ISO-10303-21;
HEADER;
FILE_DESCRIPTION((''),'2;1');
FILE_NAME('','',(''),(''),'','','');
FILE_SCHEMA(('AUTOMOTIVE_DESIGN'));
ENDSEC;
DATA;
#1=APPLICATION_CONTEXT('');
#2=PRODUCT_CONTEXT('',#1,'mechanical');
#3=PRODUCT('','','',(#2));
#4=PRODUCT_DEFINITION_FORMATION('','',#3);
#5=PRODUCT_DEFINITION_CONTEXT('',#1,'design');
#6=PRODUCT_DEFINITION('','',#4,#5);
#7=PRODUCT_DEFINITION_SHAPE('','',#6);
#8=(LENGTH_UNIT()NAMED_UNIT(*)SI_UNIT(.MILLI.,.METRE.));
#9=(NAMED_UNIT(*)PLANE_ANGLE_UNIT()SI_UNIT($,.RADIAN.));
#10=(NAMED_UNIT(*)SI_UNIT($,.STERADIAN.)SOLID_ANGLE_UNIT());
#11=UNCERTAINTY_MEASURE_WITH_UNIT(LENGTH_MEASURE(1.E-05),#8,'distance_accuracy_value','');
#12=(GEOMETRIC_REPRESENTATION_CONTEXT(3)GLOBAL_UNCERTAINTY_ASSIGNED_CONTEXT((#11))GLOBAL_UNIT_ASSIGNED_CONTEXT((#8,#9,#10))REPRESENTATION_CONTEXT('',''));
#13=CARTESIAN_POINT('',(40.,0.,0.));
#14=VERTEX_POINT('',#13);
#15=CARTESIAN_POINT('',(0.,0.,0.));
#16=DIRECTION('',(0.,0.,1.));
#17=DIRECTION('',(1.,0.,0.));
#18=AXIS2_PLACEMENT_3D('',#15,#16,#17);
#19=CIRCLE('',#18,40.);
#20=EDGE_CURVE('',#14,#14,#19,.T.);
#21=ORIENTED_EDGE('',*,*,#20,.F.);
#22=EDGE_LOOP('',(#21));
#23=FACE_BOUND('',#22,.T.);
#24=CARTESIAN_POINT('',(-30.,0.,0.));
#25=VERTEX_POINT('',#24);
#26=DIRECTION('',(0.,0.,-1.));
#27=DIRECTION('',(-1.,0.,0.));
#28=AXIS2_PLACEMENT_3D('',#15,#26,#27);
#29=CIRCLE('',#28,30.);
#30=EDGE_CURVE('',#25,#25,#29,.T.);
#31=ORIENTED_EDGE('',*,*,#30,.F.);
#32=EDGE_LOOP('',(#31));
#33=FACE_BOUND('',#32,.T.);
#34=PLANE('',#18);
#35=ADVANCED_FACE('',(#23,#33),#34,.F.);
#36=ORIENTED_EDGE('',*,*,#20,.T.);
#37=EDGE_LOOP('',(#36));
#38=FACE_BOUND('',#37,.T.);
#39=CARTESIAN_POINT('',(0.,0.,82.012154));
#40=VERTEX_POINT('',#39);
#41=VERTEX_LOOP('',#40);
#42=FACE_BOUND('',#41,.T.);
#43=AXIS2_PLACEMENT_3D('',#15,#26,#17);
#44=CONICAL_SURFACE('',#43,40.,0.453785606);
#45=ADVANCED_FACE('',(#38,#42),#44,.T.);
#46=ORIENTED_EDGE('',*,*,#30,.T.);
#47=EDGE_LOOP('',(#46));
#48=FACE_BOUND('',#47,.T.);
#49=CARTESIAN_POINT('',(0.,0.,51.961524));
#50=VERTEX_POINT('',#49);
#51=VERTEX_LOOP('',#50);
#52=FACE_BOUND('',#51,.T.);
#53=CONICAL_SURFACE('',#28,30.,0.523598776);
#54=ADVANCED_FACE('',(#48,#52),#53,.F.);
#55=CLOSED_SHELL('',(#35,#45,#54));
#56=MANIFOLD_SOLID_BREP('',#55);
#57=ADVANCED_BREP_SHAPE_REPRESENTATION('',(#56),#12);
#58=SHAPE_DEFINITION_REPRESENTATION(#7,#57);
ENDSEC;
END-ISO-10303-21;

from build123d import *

# Parameters (mm, degrees)
ESQUISSE1_R        = 40
BOSS_EXTRU_1_DEPTH = 83
BOSS_EXTRU_1_TAPER = 26


with BuildPart() as part:
    # Esquisse1 → Boss.-Extru.1 (new body)
    with BuildSketch(Plane.XY):
        Circle(ESQUISSE1_R)
    extrude(amount=BOSS_EXTRU_1_DEPTH, taper=BOSS_EXTRU_1_TAPER)

    # Enlèv. mat.-Extru.1 cone 1 section (through the dimple's axis) → Enlèv. mat.-Extru.1 (revolve, cut)
    with BuildSketch(Plane.YZ):
        Polygon((0, 0), (30, 0), (0, 51.961524227), align=None)
    revolve(axis=Axis((0, 0, 0), (0, 0, 1)), mode=Mode.SUBTRACT)


solid = part.part
